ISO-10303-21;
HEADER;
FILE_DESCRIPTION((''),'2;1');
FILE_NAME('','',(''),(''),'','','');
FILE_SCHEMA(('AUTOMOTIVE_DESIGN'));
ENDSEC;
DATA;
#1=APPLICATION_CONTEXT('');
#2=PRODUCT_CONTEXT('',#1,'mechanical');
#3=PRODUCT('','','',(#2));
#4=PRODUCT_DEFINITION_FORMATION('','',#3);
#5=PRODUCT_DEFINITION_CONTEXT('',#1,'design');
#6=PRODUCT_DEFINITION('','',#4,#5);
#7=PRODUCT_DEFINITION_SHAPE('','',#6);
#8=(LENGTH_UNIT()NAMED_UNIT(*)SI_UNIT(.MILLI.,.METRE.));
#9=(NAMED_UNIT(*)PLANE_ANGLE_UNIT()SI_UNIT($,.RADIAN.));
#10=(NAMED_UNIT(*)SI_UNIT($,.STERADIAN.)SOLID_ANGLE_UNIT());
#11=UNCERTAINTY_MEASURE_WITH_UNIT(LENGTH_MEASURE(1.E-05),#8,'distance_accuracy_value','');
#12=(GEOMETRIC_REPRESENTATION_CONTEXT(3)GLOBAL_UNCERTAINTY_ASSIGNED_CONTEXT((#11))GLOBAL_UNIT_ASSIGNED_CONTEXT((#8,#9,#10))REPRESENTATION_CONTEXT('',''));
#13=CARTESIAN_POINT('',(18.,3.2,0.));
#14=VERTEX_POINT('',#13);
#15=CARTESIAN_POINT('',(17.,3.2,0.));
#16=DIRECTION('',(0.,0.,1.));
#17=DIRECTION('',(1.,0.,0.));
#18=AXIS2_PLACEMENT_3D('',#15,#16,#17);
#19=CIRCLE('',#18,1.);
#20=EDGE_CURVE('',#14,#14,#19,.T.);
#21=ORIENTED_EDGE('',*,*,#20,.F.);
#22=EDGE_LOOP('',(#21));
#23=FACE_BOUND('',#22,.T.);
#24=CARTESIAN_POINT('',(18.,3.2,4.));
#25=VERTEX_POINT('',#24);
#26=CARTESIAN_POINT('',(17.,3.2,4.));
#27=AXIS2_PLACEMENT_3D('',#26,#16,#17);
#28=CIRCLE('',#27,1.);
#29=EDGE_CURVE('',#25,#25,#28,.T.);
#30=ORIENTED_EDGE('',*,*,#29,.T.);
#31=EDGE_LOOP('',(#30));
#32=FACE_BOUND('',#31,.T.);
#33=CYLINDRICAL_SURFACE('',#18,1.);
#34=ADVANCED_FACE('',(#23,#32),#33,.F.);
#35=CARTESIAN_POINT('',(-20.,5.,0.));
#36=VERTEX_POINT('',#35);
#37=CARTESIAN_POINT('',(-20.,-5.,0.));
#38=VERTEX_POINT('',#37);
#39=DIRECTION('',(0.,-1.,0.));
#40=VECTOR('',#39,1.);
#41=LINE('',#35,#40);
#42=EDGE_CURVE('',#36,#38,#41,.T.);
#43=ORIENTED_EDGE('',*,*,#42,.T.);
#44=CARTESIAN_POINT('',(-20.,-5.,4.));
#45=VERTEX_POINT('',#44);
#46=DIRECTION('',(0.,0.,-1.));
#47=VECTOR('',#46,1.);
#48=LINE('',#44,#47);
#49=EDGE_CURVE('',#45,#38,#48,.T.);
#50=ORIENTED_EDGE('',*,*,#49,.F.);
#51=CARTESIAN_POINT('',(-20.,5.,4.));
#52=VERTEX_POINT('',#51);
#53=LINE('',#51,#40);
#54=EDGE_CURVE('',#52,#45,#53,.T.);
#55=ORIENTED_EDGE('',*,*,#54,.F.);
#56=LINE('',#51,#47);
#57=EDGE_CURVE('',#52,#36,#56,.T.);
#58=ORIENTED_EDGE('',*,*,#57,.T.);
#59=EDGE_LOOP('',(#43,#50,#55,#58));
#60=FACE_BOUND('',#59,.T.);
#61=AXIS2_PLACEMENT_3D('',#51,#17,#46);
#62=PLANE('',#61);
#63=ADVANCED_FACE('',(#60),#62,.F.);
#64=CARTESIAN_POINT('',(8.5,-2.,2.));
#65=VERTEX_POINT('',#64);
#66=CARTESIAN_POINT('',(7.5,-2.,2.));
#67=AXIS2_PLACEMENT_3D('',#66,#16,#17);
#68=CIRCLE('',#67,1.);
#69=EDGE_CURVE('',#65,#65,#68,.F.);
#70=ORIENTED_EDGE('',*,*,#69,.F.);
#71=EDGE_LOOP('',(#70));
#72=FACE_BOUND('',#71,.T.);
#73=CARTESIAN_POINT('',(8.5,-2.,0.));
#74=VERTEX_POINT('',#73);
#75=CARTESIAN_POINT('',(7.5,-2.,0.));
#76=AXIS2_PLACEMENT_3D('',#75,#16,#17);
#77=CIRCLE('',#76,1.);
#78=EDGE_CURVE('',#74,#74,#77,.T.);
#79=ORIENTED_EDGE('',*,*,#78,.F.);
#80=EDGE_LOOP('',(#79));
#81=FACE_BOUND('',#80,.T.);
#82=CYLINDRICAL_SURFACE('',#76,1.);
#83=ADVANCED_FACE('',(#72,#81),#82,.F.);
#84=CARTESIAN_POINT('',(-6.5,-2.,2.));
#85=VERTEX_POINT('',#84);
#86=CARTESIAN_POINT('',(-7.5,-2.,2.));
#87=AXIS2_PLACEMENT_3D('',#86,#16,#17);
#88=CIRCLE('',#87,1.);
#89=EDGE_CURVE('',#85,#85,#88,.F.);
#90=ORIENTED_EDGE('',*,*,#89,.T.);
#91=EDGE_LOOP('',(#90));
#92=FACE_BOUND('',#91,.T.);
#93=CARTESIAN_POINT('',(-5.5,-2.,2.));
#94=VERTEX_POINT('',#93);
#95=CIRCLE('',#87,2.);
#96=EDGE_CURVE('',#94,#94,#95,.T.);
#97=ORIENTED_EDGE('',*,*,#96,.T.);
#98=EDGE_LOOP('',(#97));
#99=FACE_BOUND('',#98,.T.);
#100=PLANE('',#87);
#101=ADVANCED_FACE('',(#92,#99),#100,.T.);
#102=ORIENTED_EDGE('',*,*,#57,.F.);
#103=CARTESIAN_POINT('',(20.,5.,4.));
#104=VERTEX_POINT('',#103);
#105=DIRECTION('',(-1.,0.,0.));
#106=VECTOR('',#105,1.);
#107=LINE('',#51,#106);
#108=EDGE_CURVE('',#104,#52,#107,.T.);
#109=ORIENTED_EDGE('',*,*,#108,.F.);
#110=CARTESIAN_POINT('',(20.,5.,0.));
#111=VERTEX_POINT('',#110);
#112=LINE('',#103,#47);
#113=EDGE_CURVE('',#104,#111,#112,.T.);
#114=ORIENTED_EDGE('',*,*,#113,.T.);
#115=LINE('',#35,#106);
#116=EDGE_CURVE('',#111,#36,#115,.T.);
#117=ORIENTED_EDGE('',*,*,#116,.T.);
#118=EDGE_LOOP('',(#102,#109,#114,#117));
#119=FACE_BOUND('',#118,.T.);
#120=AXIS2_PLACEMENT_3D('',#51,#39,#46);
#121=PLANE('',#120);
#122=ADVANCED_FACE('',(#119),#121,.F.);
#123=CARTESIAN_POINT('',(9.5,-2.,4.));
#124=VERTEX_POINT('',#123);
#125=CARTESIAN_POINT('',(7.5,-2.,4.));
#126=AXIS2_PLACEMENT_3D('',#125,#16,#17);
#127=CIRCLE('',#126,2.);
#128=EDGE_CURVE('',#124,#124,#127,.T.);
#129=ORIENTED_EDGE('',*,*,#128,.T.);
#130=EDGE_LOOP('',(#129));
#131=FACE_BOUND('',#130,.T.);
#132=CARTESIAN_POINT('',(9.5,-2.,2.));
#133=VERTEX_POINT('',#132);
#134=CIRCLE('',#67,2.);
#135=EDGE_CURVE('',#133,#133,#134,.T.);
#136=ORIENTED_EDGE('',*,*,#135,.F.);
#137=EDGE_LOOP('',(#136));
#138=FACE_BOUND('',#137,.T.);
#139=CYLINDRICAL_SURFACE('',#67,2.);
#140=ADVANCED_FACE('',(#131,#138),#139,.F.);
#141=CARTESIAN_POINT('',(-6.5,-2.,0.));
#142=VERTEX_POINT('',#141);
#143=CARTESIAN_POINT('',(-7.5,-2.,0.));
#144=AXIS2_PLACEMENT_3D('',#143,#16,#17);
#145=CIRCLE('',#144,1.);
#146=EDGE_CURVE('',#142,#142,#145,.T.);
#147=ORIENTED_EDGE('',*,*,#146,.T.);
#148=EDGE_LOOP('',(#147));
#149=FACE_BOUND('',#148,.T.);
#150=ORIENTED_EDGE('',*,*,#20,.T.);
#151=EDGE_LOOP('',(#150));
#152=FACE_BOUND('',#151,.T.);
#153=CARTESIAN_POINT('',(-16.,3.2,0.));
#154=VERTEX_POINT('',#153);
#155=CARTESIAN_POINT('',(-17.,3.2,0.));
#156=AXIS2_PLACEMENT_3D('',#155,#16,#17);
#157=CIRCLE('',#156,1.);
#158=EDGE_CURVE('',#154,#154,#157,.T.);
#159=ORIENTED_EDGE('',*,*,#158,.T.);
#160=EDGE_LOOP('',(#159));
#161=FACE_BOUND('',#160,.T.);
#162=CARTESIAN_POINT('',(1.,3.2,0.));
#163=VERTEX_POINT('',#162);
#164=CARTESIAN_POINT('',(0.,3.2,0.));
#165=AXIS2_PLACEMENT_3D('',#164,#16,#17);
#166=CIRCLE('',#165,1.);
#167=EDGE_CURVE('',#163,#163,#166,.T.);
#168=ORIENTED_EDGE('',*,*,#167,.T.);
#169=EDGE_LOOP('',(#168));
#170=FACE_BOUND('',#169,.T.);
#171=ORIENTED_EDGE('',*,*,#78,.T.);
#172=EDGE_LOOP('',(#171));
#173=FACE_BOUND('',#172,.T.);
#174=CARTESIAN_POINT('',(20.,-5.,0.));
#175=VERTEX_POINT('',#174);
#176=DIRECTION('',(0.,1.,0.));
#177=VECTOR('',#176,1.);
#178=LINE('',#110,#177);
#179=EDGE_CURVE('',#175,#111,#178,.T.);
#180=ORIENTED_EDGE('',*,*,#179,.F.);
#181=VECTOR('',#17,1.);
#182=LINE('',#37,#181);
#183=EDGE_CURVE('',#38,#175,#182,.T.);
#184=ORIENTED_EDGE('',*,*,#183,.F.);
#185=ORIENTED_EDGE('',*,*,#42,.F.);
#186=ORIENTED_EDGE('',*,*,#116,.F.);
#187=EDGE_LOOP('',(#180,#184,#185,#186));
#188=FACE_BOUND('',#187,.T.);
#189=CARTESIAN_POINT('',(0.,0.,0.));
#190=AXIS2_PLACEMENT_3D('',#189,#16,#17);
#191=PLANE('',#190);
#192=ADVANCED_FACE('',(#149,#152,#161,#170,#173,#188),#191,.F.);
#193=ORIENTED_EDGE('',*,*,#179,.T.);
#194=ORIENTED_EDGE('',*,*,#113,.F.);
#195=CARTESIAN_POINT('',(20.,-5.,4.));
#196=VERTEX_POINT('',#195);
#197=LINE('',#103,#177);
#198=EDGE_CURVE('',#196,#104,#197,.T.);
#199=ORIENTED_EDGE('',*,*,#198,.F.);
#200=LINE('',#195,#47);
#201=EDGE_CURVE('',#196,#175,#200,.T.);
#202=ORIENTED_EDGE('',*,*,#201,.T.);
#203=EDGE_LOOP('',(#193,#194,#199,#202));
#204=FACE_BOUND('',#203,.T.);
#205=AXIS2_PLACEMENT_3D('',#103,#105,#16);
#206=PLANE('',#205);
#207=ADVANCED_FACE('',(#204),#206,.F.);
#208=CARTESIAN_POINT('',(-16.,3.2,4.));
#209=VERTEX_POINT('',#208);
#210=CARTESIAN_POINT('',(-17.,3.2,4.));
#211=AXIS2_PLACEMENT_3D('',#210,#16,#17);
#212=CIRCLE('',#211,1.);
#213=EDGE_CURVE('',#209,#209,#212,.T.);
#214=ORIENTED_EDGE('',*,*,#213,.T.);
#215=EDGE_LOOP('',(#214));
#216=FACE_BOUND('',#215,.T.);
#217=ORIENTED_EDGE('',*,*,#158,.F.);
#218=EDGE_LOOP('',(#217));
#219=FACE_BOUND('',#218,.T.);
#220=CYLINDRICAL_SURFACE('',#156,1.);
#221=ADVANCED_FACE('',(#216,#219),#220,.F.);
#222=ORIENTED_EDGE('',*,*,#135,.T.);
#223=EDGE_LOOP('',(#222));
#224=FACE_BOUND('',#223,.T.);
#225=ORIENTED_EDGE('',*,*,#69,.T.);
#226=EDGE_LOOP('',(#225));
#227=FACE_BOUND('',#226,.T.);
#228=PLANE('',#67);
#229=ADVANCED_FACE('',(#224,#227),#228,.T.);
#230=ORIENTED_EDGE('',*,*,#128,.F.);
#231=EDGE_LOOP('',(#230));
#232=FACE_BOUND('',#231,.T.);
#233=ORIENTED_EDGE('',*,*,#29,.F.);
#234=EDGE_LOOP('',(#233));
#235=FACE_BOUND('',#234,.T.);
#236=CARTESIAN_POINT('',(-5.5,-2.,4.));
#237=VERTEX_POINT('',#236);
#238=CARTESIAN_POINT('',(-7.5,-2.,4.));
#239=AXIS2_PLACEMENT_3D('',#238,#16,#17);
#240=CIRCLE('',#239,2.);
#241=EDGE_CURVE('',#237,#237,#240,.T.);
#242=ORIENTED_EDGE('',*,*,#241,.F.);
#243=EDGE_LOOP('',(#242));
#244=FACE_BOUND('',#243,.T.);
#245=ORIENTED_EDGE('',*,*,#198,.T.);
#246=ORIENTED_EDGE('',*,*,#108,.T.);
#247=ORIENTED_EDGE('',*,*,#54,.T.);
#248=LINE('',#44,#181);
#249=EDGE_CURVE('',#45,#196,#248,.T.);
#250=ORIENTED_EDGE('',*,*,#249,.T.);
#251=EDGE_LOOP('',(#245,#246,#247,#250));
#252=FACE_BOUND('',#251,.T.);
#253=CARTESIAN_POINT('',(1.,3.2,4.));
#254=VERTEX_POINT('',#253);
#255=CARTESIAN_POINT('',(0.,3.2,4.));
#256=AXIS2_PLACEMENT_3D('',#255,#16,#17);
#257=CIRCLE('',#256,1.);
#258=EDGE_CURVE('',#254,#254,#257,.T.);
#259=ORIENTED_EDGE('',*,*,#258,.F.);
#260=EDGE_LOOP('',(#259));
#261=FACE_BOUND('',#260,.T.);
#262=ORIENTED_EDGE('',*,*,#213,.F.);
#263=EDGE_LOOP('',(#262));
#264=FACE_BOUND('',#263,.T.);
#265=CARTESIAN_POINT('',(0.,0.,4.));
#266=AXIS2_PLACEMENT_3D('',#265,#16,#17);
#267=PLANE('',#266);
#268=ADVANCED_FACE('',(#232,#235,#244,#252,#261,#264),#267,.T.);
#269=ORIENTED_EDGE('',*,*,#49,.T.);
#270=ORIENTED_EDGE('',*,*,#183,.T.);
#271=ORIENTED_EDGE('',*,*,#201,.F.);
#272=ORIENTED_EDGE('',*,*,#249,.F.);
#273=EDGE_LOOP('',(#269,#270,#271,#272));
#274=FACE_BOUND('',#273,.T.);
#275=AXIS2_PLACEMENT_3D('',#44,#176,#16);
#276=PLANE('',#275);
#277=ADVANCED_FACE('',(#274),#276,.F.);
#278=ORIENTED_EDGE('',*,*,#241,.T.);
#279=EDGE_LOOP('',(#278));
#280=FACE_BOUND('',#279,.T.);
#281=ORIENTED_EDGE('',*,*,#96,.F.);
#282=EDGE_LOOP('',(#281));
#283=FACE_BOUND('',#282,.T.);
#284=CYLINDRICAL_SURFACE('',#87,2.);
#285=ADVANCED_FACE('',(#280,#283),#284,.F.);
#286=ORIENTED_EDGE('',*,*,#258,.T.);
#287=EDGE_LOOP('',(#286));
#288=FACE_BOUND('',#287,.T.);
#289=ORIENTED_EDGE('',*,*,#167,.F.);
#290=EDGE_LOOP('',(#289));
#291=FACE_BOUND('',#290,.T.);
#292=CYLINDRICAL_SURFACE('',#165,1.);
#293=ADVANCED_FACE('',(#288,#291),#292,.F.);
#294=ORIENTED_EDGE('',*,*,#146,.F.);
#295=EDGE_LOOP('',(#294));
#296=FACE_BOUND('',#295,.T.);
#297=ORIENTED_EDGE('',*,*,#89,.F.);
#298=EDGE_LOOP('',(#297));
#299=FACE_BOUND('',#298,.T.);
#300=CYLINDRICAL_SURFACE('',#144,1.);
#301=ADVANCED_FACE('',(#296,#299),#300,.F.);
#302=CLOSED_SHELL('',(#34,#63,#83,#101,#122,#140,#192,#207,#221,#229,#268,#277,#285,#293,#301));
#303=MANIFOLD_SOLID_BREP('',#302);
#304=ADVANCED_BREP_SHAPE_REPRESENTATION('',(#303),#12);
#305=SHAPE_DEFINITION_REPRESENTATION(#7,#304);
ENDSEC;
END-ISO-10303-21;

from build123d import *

# Parameters (mm, degrees)
SKETCH2_W           = 40
SKETCH2_H           = 10
BOSS_EXTRUDE1_DEPTH = 4
SKETCH3_R           = 1
CUT_EXTRUDE1_DEPTH  = 22
SKETCH4_R           = 2
CUT_EXTRUDE2_DEPTH  = 2


with BuildPart() as part:
    # Sketch2 → Boss-Extrude1 (new body)
    with BuildSketch(Plane.XY):
        Rectangle(SKETCH2_W, SKETCH2_H)
    extrude(amount=BOSS_EXTRUDE1_DEPTH)

    # Sketch3 → Cut-Extrude1 (cut, through all)
    with BuildSketch(Plane.XY.offset(4)):
        with Locations((-17, 3.2)):
            Circle(SKETCH3_R)
        with Locations((0, 3.2)):
            Circle(SKETCH3_R)
        with Locations((17, 3.2)):
            Circle(SKETCH3_R)
        with Locations((-7.5, -2)):
            Circle(SKETCH3_R)
        with Locations((7.5, -2)):
            Circle(SKETCH3_R)
    extrude(amount=-CUT_EXTRUDE1_DEPTH, mode=Mode.SUBTRACT)

    # Sketch4 → Cut-Extrude2 (cut)
    with BuildSketch(Plane.XY.offset(4)):
        with Locations((-7.5, -2)):
            Circle(SKETCH4_R)
        with Locations((7.5, -2)):
            Circle(SKETCH4_R)
    extrude(amount=-CUT_EXTRUDE2_DEPTH, mode=Mode.SUBTRACT)


solid = part.part
